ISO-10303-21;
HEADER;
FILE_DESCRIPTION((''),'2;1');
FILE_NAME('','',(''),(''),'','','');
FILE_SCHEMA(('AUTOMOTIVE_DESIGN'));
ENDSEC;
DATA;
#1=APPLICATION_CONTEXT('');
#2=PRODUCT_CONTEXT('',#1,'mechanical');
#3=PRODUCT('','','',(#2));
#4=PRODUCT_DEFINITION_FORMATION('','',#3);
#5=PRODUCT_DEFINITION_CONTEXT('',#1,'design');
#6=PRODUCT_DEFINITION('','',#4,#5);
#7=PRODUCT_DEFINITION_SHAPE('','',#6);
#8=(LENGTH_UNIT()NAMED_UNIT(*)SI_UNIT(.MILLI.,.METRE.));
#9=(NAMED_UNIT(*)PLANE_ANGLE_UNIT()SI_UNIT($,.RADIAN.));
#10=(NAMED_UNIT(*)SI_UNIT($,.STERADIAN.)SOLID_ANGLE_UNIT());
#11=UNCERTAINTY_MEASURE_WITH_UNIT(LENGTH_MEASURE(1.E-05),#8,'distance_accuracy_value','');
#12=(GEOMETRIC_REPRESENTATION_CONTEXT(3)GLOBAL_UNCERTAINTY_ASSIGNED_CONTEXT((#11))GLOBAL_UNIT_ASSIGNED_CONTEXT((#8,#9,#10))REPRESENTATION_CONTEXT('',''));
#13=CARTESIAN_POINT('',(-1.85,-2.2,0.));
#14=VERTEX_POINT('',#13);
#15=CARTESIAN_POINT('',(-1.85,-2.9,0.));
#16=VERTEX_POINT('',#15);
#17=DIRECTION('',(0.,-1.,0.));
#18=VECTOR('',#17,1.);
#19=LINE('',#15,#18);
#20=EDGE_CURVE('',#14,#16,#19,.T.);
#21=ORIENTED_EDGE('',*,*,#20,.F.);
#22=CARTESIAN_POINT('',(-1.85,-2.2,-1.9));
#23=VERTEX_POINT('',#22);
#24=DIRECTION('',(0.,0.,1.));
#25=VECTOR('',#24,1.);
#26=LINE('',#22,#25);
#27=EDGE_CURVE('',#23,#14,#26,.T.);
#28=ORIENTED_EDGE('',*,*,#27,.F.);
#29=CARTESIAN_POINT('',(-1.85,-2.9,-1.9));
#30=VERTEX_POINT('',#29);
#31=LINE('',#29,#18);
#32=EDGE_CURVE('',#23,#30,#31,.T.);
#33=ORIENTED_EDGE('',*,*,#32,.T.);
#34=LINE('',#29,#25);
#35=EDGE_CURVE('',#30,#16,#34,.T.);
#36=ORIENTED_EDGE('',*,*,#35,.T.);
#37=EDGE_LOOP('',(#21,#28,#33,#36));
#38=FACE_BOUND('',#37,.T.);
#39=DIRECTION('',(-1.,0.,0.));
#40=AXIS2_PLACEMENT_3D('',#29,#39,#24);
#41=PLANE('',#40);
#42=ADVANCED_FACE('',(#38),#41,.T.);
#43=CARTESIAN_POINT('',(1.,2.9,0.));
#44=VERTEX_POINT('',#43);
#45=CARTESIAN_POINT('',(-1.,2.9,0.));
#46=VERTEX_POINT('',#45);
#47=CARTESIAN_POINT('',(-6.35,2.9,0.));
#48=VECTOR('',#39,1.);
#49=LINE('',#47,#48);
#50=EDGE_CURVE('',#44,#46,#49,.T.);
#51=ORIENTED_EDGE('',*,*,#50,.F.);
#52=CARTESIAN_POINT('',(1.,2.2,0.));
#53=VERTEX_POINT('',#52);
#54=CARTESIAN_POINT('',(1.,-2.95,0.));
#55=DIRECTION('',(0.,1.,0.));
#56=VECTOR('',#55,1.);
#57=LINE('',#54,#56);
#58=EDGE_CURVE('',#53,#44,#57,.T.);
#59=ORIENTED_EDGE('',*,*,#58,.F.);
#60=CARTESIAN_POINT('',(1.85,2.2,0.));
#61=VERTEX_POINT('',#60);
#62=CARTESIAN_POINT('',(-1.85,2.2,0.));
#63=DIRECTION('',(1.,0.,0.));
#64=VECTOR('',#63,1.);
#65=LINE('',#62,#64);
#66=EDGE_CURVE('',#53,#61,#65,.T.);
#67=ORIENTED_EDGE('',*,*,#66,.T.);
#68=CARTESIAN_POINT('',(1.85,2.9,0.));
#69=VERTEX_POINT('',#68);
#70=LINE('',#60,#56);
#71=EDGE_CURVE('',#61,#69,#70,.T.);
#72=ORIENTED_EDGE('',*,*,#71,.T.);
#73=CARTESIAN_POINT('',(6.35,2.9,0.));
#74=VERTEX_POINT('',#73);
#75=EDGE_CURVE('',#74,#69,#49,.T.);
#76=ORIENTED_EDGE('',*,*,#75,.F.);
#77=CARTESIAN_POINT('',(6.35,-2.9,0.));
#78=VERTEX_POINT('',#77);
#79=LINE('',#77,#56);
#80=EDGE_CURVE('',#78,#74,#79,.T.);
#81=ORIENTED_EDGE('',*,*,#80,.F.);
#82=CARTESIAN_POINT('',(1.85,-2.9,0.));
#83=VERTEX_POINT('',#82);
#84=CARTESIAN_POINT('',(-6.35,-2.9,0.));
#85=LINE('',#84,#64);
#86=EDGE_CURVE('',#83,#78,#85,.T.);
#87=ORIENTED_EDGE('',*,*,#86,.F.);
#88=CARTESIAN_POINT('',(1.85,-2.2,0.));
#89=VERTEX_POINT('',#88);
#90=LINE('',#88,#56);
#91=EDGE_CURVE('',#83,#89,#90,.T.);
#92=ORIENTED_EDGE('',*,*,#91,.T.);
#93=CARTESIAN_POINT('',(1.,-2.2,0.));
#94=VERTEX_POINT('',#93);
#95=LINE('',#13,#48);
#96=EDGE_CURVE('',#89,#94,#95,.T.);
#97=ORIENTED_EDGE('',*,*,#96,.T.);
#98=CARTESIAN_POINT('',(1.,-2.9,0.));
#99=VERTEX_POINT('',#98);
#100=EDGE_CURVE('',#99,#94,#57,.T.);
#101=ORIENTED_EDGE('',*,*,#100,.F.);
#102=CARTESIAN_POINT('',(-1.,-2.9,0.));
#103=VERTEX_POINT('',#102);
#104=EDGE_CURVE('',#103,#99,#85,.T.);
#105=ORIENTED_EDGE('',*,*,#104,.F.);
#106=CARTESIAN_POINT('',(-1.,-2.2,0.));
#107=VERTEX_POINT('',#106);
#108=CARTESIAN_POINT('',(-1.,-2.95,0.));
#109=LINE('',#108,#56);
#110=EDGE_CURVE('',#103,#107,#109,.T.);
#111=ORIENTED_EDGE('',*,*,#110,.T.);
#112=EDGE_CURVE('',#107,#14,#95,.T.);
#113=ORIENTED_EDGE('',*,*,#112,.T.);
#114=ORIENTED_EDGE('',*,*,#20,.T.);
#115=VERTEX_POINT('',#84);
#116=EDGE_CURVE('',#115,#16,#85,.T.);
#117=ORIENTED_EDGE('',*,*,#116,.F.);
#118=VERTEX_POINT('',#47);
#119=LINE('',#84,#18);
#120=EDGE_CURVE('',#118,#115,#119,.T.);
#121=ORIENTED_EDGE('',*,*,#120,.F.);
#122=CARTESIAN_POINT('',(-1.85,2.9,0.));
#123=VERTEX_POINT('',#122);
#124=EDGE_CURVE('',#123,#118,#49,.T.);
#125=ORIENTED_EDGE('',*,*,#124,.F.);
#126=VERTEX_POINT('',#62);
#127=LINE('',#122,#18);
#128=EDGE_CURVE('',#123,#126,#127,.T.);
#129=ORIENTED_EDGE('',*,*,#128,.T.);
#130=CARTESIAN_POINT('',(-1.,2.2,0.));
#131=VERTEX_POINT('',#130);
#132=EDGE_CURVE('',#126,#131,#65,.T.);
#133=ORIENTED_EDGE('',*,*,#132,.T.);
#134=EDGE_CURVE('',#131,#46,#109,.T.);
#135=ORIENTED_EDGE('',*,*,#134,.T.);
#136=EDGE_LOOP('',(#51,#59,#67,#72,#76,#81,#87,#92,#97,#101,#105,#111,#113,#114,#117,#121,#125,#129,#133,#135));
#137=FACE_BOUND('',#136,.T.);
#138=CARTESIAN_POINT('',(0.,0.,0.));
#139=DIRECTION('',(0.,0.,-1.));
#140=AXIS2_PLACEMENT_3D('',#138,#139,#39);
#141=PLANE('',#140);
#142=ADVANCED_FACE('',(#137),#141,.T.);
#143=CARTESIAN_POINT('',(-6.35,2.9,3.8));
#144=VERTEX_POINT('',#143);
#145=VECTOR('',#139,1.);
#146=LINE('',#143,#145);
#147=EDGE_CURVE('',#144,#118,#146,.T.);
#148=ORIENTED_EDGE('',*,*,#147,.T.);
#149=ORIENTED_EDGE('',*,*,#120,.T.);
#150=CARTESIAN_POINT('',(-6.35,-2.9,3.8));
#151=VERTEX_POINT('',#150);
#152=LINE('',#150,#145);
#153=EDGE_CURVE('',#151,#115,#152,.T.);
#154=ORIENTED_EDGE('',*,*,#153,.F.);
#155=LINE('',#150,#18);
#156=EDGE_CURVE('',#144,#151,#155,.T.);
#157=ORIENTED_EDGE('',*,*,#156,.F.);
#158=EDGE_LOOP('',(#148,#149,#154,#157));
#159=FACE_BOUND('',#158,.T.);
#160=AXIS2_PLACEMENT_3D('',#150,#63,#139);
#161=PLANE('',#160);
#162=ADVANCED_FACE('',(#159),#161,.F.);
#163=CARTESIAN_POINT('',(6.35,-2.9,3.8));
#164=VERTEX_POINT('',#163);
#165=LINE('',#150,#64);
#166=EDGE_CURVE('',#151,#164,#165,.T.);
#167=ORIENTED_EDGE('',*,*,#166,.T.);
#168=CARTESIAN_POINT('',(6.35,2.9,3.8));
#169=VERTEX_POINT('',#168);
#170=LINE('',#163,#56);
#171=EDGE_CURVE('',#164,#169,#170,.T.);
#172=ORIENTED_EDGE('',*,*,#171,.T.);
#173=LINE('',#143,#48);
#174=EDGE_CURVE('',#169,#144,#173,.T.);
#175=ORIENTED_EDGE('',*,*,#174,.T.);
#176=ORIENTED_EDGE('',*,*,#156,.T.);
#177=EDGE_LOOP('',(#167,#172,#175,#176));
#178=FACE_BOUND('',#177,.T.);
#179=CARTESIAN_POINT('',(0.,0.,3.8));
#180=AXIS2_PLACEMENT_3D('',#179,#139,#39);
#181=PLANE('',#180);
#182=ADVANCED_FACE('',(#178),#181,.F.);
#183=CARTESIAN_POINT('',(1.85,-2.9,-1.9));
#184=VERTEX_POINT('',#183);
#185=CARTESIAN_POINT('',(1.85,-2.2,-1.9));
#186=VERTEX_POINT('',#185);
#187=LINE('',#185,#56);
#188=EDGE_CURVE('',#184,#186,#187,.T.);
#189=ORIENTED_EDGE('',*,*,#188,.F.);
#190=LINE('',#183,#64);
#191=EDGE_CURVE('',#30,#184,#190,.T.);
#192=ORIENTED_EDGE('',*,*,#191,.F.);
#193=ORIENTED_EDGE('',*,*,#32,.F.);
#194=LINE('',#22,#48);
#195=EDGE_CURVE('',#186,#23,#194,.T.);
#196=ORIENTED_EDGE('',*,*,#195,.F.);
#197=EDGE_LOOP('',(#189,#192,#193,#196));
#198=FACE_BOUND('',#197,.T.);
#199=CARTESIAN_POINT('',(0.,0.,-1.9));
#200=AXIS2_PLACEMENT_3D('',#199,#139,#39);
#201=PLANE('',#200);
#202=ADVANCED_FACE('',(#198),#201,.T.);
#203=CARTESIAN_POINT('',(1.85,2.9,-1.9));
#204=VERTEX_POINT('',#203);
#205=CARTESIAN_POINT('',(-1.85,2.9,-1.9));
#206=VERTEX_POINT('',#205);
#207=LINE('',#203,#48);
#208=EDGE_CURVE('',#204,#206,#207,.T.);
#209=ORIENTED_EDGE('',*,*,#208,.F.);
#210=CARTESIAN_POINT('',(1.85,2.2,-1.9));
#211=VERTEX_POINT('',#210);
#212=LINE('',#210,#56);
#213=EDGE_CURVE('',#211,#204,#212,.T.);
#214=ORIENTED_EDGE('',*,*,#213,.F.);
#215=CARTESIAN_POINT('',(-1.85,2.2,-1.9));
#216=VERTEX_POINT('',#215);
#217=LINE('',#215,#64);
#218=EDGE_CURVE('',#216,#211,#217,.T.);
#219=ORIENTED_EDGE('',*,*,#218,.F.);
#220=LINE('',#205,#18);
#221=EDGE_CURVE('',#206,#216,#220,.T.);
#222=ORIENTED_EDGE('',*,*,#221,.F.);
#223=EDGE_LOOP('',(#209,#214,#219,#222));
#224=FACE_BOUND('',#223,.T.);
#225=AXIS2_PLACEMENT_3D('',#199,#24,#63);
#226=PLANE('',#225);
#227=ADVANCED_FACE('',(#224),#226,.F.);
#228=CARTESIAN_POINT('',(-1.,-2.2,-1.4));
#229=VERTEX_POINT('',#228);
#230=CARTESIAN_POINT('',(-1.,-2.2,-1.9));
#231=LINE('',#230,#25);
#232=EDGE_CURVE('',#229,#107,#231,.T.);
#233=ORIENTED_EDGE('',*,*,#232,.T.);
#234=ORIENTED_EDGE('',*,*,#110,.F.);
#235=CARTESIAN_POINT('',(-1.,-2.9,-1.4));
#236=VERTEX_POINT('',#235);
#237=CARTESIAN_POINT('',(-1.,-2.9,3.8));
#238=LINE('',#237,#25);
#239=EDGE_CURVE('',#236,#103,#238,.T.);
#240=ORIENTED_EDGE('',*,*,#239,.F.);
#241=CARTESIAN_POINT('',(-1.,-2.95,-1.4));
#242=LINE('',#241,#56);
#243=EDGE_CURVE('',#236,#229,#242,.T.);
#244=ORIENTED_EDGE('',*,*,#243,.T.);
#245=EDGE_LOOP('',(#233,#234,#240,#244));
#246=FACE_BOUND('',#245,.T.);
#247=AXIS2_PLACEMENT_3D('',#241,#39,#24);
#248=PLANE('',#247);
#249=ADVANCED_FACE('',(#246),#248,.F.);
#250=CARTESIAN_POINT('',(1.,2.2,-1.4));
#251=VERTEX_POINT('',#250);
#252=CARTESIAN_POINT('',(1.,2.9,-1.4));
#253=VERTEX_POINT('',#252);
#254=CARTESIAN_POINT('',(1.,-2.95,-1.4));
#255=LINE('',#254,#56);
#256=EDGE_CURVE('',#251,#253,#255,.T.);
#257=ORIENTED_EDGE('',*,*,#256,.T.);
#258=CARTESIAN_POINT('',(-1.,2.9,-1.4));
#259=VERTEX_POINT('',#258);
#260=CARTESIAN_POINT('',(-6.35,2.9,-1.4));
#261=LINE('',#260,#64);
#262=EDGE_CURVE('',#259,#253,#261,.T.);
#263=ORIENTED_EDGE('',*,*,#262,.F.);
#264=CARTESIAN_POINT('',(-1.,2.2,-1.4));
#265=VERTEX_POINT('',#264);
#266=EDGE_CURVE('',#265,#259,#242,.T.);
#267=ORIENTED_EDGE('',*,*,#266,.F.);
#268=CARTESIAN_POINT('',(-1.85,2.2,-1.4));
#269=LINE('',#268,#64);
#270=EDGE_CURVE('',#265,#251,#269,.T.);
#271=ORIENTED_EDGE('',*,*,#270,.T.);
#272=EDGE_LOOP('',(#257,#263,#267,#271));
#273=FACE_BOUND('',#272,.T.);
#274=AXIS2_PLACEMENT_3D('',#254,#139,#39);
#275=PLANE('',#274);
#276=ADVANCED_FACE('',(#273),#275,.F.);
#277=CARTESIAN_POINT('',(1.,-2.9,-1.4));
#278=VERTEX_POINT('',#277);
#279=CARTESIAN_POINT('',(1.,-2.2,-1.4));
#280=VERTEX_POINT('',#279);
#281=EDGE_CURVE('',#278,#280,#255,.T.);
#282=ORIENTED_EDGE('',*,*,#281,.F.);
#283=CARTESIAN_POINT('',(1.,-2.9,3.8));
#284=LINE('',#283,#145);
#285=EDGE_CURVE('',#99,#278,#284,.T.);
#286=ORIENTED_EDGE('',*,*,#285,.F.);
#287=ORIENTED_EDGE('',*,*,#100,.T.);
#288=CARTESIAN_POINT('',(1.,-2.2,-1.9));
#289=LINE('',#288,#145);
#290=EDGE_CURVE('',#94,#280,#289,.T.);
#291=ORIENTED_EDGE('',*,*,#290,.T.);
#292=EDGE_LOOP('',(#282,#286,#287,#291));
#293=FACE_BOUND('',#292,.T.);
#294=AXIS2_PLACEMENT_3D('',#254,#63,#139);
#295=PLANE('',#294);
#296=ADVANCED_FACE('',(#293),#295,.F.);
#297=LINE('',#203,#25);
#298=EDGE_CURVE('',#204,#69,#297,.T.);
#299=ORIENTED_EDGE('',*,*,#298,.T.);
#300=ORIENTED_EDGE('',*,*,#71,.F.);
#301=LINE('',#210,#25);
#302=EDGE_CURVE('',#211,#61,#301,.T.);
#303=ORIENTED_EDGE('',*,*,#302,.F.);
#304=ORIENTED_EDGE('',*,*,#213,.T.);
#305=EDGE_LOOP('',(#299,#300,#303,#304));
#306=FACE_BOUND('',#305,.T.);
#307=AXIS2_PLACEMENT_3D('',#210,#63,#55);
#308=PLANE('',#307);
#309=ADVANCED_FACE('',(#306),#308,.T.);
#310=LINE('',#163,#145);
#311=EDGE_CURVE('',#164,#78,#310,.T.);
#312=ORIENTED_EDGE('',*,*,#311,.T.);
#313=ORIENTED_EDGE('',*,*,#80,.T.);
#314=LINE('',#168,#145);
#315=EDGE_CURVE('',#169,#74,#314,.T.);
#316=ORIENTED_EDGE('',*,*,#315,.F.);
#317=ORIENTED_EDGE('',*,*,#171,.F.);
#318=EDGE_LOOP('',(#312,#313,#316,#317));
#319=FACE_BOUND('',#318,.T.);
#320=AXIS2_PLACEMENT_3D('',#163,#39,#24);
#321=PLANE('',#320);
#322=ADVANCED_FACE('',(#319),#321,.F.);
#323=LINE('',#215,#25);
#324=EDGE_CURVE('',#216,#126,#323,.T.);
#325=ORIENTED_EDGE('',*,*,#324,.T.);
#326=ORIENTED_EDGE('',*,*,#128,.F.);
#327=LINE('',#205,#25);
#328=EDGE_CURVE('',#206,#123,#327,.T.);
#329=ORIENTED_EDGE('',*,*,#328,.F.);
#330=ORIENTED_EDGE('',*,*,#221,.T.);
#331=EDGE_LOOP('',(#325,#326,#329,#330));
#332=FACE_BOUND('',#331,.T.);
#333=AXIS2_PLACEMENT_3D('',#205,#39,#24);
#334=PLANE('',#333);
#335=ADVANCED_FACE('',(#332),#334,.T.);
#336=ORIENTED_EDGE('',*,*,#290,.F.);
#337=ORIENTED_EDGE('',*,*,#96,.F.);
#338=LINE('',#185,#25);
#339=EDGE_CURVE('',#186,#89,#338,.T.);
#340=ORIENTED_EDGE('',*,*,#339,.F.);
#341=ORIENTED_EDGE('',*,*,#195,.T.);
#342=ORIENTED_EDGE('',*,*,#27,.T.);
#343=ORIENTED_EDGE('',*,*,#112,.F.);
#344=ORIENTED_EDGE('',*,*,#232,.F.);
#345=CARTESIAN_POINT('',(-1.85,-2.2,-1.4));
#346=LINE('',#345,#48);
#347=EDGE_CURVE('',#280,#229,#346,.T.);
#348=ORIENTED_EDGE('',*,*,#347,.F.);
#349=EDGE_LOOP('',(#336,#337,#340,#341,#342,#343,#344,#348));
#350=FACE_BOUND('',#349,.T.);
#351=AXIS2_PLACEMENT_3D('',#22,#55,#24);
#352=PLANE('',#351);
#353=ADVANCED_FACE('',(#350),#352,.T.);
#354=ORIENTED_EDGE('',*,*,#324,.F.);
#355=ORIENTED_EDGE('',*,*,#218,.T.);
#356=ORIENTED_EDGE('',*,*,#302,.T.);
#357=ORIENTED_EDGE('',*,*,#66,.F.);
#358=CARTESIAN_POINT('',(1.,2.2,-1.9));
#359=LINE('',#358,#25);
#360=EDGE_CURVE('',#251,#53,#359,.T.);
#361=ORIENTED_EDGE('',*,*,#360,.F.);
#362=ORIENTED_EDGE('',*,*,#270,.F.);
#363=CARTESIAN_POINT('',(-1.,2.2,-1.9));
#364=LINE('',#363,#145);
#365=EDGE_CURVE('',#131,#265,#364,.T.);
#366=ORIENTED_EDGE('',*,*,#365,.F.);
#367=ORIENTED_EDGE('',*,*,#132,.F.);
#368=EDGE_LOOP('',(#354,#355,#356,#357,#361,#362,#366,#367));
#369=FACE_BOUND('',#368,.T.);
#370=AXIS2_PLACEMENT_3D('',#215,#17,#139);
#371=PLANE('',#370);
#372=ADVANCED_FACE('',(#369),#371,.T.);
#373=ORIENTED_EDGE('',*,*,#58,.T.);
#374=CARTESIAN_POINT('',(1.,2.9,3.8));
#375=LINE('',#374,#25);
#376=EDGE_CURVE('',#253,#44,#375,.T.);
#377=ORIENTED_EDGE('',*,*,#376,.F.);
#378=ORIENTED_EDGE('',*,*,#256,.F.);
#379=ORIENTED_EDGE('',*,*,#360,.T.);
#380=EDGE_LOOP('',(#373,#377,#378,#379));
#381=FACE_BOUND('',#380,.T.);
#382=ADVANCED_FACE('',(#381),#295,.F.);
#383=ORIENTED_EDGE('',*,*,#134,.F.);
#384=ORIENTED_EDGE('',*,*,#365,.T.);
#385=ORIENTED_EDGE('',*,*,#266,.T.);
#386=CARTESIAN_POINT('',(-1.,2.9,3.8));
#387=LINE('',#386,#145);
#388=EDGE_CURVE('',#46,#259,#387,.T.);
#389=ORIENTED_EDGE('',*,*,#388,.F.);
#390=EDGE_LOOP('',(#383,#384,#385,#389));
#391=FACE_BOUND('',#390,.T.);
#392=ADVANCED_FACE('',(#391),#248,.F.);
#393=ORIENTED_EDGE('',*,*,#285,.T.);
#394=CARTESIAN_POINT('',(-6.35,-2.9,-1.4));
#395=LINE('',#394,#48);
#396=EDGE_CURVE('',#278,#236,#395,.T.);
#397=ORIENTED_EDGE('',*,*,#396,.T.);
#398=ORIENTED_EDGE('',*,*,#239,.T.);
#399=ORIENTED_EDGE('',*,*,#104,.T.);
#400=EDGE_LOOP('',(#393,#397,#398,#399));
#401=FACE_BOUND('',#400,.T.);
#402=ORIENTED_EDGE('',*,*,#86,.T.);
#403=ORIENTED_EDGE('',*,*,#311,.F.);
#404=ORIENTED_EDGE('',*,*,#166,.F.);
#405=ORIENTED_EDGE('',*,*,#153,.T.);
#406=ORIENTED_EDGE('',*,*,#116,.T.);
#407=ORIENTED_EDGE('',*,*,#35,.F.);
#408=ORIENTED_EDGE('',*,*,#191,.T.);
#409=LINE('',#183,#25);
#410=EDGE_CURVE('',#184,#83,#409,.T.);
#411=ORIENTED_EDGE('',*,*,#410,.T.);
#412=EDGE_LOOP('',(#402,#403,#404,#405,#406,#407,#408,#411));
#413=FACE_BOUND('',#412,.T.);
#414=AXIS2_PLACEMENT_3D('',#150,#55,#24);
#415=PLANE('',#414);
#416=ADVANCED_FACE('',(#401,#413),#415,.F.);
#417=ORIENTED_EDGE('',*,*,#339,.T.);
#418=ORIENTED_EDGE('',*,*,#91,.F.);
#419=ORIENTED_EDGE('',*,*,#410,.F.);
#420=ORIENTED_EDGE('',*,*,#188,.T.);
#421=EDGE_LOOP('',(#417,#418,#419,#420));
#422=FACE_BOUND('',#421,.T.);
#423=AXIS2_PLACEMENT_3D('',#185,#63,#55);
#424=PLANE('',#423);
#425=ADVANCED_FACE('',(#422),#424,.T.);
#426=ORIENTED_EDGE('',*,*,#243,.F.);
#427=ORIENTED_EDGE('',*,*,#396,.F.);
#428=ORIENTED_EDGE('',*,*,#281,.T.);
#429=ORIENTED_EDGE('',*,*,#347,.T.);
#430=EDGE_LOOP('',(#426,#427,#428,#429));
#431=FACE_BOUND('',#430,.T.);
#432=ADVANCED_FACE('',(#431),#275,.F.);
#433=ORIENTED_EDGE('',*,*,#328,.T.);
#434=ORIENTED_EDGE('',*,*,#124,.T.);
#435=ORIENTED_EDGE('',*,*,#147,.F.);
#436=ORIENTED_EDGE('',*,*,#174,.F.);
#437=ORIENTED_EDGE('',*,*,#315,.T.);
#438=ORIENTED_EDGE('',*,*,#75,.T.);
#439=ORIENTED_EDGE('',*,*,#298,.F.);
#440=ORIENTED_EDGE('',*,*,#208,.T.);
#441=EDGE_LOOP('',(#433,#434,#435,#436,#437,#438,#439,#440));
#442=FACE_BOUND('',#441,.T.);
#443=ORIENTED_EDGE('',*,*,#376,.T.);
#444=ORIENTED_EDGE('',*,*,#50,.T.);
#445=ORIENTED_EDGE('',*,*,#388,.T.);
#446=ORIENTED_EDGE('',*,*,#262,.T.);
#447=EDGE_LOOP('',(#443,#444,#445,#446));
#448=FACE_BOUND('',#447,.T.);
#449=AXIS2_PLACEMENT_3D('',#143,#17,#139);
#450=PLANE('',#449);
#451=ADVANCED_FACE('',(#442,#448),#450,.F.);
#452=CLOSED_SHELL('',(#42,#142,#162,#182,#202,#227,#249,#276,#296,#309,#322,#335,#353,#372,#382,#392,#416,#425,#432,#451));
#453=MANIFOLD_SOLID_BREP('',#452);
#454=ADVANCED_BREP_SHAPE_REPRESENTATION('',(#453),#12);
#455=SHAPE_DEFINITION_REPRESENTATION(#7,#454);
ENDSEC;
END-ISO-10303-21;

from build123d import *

# Parameters (mm, degrees)
CROQUIS1_W              = 12.7
CROQUIS1_H              = 5.8
SALIENTE_EXTRUIR1_DEPTH = 3.8
CROQUIS2_W              = 3.7
CROQUIS2_H              = 0.7
SALIENTE_EXTRUIR2_DEPTH = 1.9
CROQUIS3_W              = 2
CROQUIS3_H              = 1.4
CORTAR_EXTRUIR1_DEPTH   = 2.95


with BuildPart() as part:
    # Croquis1 → Saliente-Extruir1 (new body)
    with BuildSketch(Plane.XY):
        Rectangle(CROQUIS1_W, CROQUIS1_H)
    extrude(amount=SALIENTE_EXTRUIR1_DEPTH)

    # Croquis2 → Saliente-Extruir2 (add)
    with BuildSketch(Plane.XY):
        with Locations((0, 2.55)):
            Rectangle(CROQUIS2_W, CROQUIS2_H)
        with Locations((0, -2.55)):
            Rectangle(CROQUIS2_W, CROQUIS2_H)
    extrude(amount=-SALIENTE_EXTRUIR2_DEPTH)

    # Croquis3 → Cortar-Extruir1 (cut, symmetric)
    with BuildSketch(Plane(origin=(0, 0, 0), x_dir=(1, 0, 0), z_dir=(0, 1, 0))):
        with Locations((0, 0.7)):
            Rectangle(CROQUIS3_W, CROQUIS3_H)
    extrude(amount=CORTAR_EXTRUIR1_DEPTH, both=True, mode=Mode.SUBTRACT)


solid = part.part
